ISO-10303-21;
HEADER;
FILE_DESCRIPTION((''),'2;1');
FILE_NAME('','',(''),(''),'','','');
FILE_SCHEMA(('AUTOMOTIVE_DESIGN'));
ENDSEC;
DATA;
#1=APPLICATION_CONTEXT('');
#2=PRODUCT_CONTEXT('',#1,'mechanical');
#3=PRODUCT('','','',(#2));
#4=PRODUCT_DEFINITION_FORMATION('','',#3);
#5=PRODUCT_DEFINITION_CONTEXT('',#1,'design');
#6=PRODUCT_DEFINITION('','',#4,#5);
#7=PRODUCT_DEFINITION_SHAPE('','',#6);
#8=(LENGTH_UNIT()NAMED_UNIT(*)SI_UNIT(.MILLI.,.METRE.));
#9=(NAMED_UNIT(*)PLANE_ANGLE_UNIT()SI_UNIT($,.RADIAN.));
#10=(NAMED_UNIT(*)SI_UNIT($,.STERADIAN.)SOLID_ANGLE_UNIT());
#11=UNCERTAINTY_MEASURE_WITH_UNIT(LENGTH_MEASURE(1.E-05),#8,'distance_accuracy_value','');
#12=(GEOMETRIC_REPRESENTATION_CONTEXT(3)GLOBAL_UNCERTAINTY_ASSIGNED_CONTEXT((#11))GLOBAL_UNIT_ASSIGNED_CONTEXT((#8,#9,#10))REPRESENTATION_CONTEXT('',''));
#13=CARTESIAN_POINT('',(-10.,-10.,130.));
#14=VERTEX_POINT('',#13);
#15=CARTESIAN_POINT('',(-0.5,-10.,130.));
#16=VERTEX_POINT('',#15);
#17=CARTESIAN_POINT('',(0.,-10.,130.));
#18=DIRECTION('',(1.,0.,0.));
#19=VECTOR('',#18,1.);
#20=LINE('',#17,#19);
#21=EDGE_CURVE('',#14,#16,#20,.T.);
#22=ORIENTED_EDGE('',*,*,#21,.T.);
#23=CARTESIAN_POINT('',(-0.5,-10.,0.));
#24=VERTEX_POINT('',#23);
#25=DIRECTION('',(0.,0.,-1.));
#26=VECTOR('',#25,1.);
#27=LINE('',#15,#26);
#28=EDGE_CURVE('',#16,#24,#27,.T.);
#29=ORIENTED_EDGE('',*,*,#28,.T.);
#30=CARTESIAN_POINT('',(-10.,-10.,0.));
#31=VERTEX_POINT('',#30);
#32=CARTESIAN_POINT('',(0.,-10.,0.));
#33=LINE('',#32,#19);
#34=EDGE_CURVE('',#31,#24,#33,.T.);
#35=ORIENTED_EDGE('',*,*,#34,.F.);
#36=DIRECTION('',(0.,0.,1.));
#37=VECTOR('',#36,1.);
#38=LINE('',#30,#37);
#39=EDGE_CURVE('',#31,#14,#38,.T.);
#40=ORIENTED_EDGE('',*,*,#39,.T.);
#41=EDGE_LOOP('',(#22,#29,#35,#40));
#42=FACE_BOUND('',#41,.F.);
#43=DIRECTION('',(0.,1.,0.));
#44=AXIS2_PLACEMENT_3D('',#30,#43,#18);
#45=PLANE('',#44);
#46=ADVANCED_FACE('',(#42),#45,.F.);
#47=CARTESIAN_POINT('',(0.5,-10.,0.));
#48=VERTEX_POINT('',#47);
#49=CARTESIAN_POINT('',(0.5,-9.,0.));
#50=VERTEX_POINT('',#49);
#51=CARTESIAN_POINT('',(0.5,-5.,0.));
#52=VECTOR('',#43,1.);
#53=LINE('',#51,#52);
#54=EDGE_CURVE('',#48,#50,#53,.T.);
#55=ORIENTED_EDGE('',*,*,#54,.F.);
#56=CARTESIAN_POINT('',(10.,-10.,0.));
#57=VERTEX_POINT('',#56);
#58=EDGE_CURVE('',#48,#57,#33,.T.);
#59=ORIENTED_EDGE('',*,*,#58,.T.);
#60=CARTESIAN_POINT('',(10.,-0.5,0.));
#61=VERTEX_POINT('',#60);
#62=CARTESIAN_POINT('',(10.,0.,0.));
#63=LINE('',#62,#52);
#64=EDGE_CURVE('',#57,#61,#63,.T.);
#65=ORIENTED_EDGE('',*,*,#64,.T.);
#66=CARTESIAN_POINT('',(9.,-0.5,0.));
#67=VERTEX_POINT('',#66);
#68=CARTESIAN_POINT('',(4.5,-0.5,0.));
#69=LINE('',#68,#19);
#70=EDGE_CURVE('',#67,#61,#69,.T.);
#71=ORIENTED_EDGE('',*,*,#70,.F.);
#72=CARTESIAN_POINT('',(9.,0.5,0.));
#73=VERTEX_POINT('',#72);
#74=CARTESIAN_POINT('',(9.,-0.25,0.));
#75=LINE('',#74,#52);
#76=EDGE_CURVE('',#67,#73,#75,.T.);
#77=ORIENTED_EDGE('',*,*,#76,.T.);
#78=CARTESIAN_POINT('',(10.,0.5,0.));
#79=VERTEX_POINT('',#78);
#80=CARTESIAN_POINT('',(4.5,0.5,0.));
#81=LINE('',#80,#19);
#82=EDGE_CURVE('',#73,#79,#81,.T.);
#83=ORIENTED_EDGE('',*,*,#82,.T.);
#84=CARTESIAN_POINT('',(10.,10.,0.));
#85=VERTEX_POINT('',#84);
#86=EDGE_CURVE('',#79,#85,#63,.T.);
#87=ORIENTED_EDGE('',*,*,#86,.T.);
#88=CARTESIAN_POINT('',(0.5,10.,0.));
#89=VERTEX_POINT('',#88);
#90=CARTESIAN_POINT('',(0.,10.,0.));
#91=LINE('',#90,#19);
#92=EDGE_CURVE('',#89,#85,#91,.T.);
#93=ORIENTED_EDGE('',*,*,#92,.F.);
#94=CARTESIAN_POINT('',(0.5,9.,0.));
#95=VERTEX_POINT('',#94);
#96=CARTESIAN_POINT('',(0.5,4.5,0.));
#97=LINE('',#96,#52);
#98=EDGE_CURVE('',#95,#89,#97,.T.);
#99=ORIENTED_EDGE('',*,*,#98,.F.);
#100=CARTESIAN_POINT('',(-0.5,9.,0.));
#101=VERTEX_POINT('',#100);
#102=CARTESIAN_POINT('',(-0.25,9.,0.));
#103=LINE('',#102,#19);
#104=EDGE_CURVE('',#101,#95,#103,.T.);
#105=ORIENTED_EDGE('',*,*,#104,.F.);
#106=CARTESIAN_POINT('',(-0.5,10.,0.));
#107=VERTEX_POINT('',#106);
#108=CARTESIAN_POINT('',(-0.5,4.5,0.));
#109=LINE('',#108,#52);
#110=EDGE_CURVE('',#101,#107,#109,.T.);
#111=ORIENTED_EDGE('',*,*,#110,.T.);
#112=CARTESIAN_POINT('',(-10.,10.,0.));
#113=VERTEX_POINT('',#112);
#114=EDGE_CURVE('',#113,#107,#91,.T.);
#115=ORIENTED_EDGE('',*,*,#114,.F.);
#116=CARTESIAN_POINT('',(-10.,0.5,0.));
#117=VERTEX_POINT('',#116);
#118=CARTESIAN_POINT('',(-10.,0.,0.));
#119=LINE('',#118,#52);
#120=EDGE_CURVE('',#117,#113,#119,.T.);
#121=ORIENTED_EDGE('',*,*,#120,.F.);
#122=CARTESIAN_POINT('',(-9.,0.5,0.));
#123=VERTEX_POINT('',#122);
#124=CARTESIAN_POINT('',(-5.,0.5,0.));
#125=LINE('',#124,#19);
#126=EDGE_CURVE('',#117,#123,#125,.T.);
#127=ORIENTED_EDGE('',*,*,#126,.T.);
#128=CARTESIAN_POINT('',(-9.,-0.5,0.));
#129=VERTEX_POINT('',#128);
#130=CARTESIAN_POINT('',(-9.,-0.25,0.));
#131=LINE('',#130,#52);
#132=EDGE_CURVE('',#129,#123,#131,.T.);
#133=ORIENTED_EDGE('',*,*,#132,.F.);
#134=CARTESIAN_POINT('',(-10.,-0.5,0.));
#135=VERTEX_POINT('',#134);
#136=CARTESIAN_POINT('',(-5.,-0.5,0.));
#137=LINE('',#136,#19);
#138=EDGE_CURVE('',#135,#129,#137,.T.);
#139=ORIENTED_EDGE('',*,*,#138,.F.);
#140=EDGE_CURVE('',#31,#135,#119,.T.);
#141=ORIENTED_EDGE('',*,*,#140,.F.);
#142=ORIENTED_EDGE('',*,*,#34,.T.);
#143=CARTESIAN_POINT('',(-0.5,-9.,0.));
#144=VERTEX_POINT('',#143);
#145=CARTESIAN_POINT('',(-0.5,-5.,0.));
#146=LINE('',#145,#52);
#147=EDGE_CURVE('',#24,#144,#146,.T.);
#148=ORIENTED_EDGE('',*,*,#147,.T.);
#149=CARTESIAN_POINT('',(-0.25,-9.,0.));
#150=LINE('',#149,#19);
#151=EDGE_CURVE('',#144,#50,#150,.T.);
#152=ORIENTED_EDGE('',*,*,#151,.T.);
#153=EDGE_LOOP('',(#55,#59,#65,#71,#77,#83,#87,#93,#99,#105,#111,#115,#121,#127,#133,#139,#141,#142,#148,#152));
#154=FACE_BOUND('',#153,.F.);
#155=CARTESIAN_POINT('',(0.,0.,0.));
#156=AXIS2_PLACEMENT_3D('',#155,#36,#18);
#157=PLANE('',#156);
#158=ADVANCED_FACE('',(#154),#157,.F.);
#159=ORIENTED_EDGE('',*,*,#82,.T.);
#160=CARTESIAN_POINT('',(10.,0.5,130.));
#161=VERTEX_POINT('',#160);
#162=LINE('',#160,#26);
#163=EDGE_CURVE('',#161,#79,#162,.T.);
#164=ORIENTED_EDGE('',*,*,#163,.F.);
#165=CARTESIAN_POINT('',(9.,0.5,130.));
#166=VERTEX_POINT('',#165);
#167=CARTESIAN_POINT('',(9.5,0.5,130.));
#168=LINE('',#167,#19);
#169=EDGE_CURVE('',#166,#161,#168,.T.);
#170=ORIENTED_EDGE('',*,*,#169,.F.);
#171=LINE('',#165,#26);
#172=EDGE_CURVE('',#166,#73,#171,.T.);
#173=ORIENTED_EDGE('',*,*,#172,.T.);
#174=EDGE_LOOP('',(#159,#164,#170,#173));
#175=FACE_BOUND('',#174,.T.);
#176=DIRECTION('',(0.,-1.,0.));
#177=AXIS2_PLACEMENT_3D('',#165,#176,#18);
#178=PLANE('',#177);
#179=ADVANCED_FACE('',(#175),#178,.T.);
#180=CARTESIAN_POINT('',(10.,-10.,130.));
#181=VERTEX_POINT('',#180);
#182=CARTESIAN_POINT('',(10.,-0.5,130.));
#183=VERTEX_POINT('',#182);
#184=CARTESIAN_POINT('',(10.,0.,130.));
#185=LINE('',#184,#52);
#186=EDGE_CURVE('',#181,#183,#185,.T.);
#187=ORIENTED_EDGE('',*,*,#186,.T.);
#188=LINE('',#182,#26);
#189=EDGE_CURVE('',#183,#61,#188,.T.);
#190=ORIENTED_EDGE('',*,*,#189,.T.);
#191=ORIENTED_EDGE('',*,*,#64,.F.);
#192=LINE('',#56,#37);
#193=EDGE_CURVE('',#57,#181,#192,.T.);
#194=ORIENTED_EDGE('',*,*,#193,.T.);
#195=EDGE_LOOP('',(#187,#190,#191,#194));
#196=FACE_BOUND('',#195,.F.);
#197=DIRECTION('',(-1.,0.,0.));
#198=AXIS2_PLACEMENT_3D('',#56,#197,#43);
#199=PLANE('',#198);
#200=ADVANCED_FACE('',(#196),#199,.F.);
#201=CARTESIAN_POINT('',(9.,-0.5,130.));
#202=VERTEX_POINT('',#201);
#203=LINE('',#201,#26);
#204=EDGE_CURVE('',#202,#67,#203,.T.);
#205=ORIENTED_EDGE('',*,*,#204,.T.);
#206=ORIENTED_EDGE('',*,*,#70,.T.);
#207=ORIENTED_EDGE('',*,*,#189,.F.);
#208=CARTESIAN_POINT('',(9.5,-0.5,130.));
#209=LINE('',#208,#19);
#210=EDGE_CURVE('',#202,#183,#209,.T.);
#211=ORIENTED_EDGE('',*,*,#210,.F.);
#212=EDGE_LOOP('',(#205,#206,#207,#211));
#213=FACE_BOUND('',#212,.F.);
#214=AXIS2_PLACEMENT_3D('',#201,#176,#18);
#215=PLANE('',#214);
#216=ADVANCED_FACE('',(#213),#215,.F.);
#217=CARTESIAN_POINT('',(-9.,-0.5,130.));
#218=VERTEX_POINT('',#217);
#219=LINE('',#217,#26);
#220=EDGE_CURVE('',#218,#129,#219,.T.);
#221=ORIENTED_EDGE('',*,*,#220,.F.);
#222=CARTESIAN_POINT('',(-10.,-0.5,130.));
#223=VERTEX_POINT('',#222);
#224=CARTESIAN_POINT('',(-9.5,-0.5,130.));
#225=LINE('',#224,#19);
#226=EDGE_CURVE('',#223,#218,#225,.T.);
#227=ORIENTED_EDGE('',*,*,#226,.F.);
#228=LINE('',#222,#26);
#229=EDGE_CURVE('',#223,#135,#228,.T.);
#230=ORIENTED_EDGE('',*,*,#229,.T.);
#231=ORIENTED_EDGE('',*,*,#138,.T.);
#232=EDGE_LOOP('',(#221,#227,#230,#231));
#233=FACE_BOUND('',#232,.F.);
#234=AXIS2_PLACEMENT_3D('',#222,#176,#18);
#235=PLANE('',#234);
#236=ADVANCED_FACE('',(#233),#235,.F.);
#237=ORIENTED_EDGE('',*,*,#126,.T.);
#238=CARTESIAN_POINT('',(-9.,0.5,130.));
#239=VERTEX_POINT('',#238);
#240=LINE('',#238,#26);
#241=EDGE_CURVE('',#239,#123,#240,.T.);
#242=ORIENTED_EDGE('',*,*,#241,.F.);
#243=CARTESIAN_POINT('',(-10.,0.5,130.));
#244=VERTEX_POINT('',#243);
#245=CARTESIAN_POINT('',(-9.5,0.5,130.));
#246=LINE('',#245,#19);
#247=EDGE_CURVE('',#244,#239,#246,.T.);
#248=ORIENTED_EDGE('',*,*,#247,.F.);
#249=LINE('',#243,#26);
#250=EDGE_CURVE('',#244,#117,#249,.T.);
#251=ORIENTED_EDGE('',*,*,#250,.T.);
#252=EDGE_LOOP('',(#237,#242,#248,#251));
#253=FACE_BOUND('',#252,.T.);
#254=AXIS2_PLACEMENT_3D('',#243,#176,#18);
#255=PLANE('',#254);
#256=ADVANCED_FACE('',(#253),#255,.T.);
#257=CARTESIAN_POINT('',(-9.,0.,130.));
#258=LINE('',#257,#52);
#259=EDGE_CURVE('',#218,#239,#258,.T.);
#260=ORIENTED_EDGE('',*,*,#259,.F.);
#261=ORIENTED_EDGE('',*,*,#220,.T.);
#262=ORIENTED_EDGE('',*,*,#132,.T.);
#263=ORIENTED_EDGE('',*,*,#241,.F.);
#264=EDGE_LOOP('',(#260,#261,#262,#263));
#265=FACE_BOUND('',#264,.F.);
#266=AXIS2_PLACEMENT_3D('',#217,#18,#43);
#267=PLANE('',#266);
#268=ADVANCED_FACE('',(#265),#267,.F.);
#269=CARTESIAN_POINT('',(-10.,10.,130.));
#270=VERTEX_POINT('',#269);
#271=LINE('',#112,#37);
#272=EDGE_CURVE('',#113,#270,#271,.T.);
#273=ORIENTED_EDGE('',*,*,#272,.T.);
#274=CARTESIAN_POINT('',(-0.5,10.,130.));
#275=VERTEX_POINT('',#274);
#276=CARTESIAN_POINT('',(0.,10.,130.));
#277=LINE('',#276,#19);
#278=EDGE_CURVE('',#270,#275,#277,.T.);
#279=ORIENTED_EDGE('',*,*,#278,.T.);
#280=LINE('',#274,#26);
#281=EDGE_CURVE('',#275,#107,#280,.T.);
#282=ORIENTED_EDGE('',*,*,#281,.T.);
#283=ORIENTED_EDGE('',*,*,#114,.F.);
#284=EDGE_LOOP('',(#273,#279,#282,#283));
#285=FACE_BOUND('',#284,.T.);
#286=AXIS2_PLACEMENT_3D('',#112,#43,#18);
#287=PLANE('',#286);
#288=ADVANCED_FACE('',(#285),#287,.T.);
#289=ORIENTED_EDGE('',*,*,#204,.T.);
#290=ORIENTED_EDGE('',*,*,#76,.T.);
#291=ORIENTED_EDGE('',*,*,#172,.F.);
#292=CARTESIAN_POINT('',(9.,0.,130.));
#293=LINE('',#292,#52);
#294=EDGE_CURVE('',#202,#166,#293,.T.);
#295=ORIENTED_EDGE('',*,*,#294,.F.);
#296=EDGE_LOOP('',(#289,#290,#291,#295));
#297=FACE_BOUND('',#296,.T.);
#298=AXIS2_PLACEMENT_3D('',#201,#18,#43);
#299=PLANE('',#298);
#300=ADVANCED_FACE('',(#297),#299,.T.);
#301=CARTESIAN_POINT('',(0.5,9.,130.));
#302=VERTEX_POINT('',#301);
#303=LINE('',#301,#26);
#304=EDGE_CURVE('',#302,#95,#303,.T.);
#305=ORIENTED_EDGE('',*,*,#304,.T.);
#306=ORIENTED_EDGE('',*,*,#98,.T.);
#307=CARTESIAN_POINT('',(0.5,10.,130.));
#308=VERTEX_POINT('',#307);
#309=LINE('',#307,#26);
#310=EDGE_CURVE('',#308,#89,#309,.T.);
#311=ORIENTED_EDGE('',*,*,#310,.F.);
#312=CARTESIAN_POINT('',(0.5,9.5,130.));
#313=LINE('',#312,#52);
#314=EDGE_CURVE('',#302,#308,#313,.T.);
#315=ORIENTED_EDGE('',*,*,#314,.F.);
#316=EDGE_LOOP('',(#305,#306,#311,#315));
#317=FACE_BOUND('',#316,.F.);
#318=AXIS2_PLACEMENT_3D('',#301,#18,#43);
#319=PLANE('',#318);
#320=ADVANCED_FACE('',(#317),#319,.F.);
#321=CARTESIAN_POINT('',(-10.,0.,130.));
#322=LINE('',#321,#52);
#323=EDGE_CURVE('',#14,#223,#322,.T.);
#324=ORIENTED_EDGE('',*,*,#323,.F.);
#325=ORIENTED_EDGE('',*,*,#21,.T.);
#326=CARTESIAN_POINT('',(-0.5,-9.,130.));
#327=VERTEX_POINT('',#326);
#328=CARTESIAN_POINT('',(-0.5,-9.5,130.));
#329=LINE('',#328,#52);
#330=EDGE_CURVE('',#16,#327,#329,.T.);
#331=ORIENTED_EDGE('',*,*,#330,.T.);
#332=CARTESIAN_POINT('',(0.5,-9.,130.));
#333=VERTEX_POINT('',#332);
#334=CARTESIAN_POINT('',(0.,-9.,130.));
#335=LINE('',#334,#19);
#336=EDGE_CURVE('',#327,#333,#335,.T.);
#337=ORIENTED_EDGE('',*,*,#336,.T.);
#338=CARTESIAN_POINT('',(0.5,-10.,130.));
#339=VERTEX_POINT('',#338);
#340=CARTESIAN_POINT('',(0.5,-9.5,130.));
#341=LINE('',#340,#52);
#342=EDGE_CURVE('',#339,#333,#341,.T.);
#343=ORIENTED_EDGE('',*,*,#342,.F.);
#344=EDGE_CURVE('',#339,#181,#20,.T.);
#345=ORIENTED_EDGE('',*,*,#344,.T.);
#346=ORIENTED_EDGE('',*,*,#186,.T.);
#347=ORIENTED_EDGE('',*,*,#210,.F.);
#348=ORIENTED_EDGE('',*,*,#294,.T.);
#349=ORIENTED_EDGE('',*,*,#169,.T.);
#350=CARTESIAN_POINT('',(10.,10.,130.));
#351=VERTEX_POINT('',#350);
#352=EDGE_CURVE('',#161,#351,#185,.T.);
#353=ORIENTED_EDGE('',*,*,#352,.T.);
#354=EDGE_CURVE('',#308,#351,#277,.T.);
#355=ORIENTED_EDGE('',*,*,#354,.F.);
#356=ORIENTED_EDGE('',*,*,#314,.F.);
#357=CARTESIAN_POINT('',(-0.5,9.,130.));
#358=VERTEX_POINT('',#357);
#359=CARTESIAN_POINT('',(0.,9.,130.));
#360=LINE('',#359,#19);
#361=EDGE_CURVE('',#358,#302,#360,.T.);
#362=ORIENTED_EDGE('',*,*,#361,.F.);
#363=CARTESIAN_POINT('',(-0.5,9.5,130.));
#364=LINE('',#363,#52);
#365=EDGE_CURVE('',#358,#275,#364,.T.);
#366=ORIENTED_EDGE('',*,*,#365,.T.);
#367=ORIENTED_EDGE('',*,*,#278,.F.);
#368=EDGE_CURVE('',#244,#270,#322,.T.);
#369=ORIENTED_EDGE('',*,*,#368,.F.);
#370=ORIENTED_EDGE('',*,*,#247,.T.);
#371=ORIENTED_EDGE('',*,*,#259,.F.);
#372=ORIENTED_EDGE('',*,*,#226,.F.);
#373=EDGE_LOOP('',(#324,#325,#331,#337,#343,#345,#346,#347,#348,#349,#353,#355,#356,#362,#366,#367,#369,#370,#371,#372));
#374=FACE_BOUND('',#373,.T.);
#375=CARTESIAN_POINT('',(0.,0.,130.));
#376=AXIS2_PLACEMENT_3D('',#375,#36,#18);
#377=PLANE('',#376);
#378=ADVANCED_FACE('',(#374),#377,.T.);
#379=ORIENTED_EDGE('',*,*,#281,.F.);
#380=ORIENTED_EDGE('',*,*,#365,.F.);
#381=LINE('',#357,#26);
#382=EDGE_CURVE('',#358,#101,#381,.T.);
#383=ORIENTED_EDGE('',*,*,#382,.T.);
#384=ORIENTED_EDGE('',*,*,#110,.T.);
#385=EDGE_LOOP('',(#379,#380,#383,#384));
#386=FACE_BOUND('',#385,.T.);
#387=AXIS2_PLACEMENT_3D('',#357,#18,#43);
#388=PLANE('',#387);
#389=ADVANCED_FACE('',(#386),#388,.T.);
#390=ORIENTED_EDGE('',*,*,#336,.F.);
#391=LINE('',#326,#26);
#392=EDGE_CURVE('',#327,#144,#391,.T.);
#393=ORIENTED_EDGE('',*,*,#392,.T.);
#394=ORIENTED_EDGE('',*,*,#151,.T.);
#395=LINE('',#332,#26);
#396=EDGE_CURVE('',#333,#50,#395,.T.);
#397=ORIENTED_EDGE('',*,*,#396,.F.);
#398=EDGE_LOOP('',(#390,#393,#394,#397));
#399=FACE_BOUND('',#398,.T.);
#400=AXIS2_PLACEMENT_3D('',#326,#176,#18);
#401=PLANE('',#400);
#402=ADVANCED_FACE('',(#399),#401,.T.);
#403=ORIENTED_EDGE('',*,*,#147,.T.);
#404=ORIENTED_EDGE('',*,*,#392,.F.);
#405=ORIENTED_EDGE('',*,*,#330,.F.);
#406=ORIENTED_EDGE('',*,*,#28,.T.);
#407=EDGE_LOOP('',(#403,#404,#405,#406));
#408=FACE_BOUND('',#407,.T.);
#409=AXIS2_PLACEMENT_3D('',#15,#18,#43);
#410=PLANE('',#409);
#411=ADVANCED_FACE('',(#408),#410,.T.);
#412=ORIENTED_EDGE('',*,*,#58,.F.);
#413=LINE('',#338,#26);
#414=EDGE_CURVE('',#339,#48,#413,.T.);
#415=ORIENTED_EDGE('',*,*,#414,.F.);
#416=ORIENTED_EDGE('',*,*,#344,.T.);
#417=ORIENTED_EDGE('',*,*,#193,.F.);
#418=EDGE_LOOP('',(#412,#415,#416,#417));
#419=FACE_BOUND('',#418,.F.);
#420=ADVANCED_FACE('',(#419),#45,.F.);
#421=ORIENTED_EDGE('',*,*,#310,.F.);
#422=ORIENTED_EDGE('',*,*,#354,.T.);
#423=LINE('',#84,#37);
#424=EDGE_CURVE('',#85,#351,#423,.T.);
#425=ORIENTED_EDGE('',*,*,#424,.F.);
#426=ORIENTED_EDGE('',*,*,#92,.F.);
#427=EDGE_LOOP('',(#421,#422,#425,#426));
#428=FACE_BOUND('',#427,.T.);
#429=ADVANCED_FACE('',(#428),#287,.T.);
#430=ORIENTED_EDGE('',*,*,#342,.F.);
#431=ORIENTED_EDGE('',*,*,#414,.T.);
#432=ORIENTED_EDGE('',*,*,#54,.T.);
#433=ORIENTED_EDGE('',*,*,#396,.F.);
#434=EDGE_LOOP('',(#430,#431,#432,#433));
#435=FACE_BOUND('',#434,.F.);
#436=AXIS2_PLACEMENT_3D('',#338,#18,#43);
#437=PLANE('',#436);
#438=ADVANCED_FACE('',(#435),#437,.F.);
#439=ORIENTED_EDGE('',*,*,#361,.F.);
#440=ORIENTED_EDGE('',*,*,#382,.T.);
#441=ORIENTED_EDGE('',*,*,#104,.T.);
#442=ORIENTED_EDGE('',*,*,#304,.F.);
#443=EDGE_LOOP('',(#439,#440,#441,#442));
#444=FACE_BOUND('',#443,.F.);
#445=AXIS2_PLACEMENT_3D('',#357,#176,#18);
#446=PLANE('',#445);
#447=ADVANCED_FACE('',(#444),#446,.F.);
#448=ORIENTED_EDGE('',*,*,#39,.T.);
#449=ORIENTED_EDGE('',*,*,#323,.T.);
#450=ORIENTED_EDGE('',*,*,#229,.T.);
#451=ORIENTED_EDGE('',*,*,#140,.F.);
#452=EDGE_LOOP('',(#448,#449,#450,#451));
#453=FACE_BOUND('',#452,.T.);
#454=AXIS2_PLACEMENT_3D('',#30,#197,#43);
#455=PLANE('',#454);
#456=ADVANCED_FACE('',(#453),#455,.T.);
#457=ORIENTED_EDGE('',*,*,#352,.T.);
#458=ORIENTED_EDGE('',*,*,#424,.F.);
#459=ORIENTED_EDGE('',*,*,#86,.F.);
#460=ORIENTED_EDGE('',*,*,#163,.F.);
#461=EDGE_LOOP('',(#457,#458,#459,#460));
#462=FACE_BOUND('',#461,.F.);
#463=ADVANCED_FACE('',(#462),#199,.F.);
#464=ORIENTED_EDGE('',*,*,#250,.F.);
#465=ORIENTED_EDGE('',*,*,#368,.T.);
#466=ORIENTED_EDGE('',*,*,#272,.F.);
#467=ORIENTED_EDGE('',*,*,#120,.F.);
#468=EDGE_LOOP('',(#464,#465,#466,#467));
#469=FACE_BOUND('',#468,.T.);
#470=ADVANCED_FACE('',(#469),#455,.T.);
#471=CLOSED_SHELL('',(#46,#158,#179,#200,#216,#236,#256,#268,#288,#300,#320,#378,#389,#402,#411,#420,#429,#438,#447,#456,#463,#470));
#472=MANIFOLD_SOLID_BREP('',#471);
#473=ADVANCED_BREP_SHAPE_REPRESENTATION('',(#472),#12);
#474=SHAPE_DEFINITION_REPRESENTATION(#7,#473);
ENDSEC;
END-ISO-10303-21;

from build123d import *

# Parameters (mm, degrees)
F0_W     = 20
F0_H     = 20
F1_DEPTH = 130
F3_W     = 1
F3_H     = 1
F4_DEPTH = 130.001


with BuildPart() as f1:
    # F0 (on Top) → F1 (new body)
    with BuildSketch(Plane.XY):
        Rectangle(F0_W, F0_H)
    extrude(amount=F1_DEPTH)

    # F3 (on face) → F4 (cut, through all)
    with BuildSketch(Plane.XY.offset(130)):
        with Locations((-9.5, 0)):
            Rectangle(F3_W, F3_H)
        with Locations((0, 9.5)):
            Rectangle(F3_W, F3_H)
        with Locations((9.5, 0)):
            Rectangle(F3_W, F3_H)
        with Locations((0, -9.5)):
            Rectangle(F3_W, F3_H)
    extrude(amount=-F4_DEPTH, mode=Mode.SUBTRACT)


solid = f1.part
